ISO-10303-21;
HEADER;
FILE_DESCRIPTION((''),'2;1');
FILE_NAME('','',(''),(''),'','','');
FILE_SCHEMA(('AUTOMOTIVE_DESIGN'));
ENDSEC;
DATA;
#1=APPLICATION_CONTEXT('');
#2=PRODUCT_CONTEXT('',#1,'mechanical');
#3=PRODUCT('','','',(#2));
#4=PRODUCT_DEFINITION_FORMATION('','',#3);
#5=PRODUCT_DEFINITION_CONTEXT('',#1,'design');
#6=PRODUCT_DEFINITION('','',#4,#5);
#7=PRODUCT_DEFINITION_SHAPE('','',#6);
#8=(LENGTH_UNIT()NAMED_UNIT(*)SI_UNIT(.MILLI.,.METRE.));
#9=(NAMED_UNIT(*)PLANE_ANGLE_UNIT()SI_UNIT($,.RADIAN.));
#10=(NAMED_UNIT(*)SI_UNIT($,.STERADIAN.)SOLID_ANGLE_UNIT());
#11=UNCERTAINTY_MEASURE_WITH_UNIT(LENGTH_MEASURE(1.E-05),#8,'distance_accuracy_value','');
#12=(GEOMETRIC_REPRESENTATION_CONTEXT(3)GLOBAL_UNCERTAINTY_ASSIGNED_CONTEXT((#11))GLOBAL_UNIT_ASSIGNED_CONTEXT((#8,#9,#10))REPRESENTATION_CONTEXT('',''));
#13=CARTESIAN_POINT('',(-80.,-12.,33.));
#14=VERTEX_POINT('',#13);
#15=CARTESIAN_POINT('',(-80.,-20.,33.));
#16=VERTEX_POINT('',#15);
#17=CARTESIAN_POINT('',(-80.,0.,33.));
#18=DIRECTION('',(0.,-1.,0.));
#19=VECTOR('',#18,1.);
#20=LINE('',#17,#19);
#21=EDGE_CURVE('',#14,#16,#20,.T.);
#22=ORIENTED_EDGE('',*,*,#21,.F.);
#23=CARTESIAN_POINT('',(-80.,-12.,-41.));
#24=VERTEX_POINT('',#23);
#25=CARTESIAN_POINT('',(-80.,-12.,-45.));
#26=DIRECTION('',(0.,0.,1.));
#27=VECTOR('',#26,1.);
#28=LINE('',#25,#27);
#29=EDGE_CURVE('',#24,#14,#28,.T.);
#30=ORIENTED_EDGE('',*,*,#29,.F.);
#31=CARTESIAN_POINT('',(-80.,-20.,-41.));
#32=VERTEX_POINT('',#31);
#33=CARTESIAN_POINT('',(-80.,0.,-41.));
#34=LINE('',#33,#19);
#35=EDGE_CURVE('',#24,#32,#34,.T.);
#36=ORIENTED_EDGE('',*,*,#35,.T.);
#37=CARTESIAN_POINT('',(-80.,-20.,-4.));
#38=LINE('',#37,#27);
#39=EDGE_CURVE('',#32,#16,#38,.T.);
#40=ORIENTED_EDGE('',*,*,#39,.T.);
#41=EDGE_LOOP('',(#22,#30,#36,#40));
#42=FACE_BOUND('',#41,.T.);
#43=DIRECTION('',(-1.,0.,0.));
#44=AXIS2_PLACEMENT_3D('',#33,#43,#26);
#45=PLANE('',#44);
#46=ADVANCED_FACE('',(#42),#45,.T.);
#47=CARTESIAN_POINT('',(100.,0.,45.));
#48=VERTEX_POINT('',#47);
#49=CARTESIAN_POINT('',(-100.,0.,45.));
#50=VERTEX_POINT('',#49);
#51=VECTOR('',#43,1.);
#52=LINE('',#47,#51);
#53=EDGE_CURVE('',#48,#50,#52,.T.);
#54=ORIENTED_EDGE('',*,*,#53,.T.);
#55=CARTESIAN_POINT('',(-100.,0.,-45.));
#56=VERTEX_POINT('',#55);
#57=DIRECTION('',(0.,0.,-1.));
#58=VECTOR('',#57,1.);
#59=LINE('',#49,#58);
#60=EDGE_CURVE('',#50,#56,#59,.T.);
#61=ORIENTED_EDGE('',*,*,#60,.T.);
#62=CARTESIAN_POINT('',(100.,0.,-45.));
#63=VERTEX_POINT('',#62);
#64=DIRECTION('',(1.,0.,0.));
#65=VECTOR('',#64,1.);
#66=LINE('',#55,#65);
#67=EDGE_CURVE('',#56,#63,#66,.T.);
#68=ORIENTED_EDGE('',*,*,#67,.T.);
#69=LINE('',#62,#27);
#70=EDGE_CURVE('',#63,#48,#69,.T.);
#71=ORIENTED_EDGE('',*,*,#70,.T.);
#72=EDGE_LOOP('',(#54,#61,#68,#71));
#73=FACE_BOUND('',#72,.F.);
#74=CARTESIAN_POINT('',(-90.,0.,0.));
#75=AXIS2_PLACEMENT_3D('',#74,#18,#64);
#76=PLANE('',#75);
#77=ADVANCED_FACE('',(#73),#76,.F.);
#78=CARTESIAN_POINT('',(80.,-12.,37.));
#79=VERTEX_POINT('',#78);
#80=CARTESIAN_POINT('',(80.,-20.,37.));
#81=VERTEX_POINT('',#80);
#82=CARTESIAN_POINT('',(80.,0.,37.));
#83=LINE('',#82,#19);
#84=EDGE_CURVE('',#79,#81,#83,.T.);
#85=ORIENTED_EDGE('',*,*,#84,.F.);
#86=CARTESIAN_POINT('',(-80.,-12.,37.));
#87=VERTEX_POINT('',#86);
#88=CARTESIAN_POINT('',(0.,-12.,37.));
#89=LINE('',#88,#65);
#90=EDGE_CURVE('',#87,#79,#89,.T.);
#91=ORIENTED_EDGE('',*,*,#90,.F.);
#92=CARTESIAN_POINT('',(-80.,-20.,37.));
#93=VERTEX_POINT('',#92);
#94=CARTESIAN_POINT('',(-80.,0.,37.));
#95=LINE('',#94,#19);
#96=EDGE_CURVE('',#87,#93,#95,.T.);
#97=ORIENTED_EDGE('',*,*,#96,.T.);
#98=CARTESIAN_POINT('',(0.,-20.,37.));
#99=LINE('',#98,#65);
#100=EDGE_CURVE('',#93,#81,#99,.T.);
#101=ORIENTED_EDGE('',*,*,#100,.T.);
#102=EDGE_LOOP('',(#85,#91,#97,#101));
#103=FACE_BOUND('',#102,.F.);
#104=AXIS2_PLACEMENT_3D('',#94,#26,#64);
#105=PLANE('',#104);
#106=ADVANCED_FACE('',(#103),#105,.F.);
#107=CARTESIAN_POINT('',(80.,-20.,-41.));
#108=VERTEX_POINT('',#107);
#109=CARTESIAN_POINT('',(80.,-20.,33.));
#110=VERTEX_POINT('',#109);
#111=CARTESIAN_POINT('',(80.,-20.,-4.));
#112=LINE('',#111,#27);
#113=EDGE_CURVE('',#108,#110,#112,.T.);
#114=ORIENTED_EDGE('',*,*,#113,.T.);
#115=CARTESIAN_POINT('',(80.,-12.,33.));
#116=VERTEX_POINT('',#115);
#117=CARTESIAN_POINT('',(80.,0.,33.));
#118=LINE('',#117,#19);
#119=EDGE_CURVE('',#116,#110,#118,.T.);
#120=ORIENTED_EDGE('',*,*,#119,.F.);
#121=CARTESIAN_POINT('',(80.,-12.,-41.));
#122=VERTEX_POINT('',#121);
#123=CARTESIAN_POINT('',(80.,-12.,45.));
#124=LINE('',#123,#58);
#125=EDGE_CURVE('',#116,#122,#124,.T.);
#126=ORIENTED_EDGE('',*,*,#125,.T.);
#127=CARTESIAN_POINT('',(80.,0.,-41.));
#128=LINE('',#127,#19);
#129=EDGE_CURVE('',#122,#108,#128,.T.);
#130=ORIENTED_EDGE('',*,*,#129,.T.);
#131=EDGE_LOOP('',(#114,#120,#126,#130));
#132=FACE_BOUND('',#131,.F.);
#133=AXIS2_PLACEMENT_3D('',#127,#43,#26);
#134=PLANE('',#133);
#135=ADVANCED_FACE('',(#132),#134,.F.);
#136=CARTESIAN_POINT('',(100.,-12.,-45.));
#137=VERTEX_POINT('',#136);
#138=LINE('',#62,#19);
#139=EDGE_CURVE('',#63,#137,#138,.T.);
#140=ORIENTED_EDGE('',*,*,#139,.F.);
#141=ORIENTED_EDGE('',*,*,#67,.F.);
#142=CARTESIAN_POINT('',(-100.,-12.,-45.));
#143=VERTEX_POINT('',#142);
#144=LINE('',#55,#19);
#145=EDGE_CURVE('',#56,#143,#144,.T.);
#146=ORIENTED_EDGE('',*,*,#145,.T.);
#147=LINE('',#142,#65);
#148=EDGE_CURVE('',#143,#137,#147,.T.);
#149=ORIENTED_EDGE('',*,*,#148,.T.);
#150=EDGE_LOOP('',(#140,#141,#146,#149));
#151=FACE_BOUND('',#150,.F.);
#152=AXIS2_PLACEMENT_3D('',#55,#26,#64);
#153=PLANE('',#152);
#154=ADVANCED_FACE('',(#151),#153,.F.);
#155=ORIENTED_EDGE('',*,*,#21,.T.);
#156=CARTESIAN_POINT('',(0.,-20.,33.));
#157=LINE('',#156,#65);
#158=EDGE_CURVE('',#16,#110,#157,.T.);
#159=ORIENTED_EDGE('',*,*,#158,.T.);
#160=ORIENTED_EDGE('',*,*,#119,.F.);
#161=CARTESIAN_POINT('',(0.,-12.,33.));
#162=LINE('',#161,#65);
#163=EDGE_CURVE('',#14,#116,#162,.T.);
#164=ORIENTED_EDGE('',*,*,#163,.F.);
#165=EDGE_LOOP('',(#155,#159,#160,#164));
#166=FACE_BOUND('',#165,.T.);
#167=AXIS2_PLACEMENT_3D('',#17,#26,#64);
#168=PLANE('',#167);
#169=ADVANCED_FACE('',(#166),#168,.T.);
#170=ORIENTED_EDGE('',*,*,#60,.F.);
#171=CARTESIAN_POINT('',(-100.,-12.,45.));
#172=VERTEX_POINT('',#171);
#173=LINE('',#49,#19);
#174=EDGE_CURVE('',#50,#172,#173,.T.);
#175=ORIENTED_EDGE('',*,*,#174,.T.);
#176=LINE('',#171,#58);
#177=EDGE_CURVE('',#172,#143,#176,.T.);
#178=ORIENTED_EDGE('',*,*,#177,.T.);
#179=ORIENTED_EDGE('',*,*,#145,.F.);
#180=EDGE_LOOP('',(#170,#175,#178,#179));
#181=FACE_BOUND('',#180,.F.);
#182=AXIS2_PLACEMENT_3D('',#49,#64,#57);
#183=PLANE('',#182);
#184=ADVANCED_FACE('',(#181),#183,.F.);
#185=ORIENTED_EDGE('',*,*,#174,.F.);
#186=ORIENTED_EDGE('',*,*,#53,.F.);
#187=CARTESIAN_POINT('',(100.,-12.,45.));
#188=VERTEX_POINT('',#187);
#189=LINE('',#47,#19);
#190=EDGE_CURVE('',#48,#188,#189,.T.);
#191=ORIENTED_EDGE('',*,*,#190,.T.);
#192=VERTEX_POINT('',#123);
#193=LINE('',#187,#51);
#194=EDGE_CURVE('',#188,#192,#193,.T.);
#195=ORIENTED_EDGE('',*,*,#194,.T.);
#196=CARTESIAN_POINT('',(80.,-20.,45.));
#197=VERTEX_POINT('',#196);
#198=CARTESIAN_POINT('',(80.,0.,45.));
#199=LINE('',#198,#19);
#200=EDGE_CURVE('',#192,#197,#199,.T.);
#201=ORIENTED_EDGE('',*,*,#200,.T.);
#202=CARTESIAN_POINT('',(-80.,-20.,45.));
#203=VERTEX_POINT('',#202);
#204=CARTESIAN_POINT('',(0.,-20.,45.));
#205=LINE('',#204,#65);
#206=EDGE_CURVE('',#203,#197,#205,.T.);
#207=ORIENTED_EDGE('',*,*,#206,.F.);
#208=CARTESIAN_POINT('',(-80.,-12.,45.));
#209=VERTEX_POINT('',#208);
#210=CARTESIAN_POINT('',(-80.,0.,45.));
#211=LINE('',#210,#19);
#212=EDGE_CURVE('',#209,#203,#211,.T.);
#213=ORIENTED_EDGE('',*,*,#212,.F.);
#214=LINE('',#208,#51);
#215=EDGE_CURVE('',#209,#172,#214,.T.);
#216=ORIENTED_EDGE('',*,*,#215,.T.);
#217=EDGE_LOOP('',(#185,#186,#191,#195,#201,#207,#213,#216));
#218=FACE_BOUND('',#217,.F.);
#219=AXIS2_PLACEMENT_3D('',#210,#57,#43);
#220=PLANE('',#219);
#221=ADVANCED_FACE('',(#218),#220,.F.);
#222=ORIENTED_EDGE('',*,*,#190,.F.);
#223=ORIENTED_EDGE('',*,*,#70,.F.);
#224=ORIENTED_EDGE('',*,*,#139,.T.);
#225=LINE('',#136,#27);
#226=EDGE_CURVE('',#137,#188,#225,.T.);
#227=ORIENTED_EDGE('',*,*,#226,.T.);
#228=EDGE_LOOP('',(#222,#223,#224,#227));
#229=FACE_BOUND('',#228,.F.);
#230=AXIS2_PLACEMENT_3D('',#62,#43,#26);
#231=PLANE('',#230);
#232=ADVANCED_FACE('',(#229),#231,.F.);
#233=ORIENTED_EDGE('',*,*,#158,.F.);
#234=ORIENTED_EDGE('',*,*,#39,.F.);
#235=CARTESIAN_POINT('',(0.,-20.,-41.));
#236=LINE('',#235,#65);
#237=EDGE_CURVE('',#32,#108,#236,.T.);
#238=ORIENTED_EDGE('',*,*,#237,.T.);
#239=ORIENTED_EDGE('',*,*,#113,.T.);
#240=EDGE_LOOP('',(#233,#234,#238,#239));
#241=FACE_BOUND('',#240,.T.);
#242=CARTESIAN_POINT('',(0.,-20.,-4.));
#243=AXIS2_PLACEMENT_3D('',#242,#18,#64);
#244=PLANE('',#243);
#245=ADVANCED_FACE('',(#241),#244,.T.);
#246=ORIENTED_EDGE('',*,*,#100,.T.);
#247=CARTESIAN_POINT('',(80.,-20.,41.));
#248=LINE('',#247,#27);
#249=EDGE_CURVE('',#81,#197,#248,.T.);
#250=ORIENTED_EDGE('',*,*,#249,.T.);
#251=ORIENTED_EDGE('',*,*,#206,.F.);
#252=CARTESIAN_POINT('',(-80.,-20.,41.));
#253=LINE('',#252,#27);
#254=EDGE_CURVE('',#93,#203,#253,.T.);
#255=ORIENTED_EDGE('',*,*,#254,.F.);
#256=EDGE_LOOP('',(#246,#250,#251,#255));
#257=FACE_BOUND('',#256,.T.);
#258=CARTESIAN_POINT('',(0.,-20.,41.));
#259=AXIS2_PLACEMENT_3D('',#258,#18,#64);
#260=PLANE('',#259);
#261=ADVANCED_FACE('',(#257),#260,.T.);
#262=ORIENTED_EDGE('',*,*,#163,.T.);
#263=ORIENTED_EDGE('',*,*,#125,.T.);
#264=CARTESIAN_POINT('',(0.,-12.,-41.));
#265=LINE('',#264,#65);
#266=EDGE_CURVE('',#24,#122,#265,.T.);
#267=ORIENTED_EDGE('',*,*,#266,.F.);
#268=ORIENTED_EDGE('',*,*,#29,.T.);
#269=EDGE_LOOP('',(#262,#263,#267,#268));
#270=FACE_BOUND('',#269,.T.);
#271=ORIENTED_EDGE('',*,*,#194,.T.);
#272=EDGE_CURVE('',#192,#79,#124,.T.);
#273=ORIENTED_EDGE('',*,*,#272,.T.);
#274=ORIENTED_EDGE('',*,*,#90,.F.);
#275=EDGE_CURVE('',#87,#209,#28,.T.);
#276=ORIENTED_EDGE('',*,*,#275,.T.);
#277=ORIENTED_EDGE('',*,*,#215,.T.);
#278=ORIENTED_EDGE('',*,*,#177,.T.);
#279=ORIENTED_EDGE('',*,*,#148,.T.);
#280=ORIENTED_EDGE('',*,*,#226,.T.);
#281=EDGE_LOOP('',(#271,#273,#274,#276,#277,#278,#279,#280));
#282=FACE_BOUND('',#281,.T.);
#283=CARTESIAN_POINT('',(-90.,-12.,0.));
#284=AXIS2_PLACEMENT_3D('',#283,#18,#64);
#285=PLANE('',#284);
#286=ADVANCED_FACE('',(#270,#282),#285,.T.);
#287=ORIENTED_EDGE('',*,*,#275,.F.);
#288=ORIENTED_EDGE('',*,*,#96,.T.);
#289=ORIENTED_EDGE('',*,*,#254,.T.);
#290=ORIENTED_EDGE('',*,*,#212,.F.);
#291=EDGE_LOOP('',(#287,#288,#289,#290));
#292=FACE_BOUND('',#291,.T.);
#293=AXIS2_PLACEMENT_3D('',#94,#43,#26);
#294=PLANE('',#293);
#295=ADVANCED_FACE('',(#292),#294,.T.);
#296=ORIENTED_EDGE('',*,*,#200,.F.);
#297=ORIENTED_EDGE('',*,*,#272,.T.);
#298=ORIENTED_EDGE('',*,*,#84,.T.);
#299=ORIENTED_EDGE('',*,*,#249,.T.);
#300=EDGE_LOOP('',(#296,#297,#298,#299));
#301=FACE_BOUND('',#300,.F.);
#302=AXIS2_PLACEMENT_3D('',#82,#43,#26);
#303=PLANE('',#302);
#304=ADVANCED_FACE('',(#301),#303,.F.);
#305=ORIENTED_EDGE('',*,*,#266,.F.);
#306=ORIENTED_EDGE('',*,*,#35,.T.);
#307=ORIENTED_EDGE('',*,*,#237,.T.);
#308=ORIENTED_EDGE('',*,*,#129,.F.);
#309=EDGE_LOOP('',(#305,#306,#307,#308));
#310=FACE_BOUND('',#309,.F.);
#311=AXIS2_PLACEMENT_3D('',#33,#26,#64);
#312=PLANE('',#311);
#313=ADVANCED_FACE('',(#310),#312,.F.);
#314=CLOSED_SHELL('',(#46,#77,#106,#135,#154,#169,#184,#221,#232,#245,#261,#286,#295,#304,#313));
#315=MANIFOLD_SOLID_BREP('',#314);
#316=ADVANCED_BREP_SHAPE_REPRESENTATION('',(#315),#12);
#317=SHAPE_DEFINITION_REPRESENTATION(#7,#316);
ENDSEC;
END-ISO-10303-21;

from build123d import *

# Parameters (mm, degrees)
F0_W     = 160
F0_H     = 4
F1_DEPTH = 12
F0_H_2   = 74
F0_H_3   = 8
F2_DEPTH = 20


with BuildPart() as f1:
    # F0 (on Front) → F1 (new body)
    with BuildSketch(Plane.XZ):
        Polygon((-80, 45), (-100, 45), (-100, -45), (-80, -45), (-80, -41), (-80, 33), (-80, 37), align=None)
        Polygon((100, 45), (80, 45), (80, 37), (80, 33), (80, -41), (80, -45), (100, -45), align=None)
        with Locations((0, -43)):
            Rectangle(F0_W, F0_H)
        with Locations((0, 35)):
            Rectangle(F0_W, F0_H)
    extrude(amount=F1_DEPTH)

    # F0 (on Front) → F2 (join)
    with BuildSketch(Plane.XZ):
        with Locations((0, -4)):
            Rectangle(F0_W, F0_H_2)
        with Locations((0, 41)):
            Rectangle(F0_W, F0_H_3)
    extrude(amount=F2_DEPTH)


solid = f1.part
